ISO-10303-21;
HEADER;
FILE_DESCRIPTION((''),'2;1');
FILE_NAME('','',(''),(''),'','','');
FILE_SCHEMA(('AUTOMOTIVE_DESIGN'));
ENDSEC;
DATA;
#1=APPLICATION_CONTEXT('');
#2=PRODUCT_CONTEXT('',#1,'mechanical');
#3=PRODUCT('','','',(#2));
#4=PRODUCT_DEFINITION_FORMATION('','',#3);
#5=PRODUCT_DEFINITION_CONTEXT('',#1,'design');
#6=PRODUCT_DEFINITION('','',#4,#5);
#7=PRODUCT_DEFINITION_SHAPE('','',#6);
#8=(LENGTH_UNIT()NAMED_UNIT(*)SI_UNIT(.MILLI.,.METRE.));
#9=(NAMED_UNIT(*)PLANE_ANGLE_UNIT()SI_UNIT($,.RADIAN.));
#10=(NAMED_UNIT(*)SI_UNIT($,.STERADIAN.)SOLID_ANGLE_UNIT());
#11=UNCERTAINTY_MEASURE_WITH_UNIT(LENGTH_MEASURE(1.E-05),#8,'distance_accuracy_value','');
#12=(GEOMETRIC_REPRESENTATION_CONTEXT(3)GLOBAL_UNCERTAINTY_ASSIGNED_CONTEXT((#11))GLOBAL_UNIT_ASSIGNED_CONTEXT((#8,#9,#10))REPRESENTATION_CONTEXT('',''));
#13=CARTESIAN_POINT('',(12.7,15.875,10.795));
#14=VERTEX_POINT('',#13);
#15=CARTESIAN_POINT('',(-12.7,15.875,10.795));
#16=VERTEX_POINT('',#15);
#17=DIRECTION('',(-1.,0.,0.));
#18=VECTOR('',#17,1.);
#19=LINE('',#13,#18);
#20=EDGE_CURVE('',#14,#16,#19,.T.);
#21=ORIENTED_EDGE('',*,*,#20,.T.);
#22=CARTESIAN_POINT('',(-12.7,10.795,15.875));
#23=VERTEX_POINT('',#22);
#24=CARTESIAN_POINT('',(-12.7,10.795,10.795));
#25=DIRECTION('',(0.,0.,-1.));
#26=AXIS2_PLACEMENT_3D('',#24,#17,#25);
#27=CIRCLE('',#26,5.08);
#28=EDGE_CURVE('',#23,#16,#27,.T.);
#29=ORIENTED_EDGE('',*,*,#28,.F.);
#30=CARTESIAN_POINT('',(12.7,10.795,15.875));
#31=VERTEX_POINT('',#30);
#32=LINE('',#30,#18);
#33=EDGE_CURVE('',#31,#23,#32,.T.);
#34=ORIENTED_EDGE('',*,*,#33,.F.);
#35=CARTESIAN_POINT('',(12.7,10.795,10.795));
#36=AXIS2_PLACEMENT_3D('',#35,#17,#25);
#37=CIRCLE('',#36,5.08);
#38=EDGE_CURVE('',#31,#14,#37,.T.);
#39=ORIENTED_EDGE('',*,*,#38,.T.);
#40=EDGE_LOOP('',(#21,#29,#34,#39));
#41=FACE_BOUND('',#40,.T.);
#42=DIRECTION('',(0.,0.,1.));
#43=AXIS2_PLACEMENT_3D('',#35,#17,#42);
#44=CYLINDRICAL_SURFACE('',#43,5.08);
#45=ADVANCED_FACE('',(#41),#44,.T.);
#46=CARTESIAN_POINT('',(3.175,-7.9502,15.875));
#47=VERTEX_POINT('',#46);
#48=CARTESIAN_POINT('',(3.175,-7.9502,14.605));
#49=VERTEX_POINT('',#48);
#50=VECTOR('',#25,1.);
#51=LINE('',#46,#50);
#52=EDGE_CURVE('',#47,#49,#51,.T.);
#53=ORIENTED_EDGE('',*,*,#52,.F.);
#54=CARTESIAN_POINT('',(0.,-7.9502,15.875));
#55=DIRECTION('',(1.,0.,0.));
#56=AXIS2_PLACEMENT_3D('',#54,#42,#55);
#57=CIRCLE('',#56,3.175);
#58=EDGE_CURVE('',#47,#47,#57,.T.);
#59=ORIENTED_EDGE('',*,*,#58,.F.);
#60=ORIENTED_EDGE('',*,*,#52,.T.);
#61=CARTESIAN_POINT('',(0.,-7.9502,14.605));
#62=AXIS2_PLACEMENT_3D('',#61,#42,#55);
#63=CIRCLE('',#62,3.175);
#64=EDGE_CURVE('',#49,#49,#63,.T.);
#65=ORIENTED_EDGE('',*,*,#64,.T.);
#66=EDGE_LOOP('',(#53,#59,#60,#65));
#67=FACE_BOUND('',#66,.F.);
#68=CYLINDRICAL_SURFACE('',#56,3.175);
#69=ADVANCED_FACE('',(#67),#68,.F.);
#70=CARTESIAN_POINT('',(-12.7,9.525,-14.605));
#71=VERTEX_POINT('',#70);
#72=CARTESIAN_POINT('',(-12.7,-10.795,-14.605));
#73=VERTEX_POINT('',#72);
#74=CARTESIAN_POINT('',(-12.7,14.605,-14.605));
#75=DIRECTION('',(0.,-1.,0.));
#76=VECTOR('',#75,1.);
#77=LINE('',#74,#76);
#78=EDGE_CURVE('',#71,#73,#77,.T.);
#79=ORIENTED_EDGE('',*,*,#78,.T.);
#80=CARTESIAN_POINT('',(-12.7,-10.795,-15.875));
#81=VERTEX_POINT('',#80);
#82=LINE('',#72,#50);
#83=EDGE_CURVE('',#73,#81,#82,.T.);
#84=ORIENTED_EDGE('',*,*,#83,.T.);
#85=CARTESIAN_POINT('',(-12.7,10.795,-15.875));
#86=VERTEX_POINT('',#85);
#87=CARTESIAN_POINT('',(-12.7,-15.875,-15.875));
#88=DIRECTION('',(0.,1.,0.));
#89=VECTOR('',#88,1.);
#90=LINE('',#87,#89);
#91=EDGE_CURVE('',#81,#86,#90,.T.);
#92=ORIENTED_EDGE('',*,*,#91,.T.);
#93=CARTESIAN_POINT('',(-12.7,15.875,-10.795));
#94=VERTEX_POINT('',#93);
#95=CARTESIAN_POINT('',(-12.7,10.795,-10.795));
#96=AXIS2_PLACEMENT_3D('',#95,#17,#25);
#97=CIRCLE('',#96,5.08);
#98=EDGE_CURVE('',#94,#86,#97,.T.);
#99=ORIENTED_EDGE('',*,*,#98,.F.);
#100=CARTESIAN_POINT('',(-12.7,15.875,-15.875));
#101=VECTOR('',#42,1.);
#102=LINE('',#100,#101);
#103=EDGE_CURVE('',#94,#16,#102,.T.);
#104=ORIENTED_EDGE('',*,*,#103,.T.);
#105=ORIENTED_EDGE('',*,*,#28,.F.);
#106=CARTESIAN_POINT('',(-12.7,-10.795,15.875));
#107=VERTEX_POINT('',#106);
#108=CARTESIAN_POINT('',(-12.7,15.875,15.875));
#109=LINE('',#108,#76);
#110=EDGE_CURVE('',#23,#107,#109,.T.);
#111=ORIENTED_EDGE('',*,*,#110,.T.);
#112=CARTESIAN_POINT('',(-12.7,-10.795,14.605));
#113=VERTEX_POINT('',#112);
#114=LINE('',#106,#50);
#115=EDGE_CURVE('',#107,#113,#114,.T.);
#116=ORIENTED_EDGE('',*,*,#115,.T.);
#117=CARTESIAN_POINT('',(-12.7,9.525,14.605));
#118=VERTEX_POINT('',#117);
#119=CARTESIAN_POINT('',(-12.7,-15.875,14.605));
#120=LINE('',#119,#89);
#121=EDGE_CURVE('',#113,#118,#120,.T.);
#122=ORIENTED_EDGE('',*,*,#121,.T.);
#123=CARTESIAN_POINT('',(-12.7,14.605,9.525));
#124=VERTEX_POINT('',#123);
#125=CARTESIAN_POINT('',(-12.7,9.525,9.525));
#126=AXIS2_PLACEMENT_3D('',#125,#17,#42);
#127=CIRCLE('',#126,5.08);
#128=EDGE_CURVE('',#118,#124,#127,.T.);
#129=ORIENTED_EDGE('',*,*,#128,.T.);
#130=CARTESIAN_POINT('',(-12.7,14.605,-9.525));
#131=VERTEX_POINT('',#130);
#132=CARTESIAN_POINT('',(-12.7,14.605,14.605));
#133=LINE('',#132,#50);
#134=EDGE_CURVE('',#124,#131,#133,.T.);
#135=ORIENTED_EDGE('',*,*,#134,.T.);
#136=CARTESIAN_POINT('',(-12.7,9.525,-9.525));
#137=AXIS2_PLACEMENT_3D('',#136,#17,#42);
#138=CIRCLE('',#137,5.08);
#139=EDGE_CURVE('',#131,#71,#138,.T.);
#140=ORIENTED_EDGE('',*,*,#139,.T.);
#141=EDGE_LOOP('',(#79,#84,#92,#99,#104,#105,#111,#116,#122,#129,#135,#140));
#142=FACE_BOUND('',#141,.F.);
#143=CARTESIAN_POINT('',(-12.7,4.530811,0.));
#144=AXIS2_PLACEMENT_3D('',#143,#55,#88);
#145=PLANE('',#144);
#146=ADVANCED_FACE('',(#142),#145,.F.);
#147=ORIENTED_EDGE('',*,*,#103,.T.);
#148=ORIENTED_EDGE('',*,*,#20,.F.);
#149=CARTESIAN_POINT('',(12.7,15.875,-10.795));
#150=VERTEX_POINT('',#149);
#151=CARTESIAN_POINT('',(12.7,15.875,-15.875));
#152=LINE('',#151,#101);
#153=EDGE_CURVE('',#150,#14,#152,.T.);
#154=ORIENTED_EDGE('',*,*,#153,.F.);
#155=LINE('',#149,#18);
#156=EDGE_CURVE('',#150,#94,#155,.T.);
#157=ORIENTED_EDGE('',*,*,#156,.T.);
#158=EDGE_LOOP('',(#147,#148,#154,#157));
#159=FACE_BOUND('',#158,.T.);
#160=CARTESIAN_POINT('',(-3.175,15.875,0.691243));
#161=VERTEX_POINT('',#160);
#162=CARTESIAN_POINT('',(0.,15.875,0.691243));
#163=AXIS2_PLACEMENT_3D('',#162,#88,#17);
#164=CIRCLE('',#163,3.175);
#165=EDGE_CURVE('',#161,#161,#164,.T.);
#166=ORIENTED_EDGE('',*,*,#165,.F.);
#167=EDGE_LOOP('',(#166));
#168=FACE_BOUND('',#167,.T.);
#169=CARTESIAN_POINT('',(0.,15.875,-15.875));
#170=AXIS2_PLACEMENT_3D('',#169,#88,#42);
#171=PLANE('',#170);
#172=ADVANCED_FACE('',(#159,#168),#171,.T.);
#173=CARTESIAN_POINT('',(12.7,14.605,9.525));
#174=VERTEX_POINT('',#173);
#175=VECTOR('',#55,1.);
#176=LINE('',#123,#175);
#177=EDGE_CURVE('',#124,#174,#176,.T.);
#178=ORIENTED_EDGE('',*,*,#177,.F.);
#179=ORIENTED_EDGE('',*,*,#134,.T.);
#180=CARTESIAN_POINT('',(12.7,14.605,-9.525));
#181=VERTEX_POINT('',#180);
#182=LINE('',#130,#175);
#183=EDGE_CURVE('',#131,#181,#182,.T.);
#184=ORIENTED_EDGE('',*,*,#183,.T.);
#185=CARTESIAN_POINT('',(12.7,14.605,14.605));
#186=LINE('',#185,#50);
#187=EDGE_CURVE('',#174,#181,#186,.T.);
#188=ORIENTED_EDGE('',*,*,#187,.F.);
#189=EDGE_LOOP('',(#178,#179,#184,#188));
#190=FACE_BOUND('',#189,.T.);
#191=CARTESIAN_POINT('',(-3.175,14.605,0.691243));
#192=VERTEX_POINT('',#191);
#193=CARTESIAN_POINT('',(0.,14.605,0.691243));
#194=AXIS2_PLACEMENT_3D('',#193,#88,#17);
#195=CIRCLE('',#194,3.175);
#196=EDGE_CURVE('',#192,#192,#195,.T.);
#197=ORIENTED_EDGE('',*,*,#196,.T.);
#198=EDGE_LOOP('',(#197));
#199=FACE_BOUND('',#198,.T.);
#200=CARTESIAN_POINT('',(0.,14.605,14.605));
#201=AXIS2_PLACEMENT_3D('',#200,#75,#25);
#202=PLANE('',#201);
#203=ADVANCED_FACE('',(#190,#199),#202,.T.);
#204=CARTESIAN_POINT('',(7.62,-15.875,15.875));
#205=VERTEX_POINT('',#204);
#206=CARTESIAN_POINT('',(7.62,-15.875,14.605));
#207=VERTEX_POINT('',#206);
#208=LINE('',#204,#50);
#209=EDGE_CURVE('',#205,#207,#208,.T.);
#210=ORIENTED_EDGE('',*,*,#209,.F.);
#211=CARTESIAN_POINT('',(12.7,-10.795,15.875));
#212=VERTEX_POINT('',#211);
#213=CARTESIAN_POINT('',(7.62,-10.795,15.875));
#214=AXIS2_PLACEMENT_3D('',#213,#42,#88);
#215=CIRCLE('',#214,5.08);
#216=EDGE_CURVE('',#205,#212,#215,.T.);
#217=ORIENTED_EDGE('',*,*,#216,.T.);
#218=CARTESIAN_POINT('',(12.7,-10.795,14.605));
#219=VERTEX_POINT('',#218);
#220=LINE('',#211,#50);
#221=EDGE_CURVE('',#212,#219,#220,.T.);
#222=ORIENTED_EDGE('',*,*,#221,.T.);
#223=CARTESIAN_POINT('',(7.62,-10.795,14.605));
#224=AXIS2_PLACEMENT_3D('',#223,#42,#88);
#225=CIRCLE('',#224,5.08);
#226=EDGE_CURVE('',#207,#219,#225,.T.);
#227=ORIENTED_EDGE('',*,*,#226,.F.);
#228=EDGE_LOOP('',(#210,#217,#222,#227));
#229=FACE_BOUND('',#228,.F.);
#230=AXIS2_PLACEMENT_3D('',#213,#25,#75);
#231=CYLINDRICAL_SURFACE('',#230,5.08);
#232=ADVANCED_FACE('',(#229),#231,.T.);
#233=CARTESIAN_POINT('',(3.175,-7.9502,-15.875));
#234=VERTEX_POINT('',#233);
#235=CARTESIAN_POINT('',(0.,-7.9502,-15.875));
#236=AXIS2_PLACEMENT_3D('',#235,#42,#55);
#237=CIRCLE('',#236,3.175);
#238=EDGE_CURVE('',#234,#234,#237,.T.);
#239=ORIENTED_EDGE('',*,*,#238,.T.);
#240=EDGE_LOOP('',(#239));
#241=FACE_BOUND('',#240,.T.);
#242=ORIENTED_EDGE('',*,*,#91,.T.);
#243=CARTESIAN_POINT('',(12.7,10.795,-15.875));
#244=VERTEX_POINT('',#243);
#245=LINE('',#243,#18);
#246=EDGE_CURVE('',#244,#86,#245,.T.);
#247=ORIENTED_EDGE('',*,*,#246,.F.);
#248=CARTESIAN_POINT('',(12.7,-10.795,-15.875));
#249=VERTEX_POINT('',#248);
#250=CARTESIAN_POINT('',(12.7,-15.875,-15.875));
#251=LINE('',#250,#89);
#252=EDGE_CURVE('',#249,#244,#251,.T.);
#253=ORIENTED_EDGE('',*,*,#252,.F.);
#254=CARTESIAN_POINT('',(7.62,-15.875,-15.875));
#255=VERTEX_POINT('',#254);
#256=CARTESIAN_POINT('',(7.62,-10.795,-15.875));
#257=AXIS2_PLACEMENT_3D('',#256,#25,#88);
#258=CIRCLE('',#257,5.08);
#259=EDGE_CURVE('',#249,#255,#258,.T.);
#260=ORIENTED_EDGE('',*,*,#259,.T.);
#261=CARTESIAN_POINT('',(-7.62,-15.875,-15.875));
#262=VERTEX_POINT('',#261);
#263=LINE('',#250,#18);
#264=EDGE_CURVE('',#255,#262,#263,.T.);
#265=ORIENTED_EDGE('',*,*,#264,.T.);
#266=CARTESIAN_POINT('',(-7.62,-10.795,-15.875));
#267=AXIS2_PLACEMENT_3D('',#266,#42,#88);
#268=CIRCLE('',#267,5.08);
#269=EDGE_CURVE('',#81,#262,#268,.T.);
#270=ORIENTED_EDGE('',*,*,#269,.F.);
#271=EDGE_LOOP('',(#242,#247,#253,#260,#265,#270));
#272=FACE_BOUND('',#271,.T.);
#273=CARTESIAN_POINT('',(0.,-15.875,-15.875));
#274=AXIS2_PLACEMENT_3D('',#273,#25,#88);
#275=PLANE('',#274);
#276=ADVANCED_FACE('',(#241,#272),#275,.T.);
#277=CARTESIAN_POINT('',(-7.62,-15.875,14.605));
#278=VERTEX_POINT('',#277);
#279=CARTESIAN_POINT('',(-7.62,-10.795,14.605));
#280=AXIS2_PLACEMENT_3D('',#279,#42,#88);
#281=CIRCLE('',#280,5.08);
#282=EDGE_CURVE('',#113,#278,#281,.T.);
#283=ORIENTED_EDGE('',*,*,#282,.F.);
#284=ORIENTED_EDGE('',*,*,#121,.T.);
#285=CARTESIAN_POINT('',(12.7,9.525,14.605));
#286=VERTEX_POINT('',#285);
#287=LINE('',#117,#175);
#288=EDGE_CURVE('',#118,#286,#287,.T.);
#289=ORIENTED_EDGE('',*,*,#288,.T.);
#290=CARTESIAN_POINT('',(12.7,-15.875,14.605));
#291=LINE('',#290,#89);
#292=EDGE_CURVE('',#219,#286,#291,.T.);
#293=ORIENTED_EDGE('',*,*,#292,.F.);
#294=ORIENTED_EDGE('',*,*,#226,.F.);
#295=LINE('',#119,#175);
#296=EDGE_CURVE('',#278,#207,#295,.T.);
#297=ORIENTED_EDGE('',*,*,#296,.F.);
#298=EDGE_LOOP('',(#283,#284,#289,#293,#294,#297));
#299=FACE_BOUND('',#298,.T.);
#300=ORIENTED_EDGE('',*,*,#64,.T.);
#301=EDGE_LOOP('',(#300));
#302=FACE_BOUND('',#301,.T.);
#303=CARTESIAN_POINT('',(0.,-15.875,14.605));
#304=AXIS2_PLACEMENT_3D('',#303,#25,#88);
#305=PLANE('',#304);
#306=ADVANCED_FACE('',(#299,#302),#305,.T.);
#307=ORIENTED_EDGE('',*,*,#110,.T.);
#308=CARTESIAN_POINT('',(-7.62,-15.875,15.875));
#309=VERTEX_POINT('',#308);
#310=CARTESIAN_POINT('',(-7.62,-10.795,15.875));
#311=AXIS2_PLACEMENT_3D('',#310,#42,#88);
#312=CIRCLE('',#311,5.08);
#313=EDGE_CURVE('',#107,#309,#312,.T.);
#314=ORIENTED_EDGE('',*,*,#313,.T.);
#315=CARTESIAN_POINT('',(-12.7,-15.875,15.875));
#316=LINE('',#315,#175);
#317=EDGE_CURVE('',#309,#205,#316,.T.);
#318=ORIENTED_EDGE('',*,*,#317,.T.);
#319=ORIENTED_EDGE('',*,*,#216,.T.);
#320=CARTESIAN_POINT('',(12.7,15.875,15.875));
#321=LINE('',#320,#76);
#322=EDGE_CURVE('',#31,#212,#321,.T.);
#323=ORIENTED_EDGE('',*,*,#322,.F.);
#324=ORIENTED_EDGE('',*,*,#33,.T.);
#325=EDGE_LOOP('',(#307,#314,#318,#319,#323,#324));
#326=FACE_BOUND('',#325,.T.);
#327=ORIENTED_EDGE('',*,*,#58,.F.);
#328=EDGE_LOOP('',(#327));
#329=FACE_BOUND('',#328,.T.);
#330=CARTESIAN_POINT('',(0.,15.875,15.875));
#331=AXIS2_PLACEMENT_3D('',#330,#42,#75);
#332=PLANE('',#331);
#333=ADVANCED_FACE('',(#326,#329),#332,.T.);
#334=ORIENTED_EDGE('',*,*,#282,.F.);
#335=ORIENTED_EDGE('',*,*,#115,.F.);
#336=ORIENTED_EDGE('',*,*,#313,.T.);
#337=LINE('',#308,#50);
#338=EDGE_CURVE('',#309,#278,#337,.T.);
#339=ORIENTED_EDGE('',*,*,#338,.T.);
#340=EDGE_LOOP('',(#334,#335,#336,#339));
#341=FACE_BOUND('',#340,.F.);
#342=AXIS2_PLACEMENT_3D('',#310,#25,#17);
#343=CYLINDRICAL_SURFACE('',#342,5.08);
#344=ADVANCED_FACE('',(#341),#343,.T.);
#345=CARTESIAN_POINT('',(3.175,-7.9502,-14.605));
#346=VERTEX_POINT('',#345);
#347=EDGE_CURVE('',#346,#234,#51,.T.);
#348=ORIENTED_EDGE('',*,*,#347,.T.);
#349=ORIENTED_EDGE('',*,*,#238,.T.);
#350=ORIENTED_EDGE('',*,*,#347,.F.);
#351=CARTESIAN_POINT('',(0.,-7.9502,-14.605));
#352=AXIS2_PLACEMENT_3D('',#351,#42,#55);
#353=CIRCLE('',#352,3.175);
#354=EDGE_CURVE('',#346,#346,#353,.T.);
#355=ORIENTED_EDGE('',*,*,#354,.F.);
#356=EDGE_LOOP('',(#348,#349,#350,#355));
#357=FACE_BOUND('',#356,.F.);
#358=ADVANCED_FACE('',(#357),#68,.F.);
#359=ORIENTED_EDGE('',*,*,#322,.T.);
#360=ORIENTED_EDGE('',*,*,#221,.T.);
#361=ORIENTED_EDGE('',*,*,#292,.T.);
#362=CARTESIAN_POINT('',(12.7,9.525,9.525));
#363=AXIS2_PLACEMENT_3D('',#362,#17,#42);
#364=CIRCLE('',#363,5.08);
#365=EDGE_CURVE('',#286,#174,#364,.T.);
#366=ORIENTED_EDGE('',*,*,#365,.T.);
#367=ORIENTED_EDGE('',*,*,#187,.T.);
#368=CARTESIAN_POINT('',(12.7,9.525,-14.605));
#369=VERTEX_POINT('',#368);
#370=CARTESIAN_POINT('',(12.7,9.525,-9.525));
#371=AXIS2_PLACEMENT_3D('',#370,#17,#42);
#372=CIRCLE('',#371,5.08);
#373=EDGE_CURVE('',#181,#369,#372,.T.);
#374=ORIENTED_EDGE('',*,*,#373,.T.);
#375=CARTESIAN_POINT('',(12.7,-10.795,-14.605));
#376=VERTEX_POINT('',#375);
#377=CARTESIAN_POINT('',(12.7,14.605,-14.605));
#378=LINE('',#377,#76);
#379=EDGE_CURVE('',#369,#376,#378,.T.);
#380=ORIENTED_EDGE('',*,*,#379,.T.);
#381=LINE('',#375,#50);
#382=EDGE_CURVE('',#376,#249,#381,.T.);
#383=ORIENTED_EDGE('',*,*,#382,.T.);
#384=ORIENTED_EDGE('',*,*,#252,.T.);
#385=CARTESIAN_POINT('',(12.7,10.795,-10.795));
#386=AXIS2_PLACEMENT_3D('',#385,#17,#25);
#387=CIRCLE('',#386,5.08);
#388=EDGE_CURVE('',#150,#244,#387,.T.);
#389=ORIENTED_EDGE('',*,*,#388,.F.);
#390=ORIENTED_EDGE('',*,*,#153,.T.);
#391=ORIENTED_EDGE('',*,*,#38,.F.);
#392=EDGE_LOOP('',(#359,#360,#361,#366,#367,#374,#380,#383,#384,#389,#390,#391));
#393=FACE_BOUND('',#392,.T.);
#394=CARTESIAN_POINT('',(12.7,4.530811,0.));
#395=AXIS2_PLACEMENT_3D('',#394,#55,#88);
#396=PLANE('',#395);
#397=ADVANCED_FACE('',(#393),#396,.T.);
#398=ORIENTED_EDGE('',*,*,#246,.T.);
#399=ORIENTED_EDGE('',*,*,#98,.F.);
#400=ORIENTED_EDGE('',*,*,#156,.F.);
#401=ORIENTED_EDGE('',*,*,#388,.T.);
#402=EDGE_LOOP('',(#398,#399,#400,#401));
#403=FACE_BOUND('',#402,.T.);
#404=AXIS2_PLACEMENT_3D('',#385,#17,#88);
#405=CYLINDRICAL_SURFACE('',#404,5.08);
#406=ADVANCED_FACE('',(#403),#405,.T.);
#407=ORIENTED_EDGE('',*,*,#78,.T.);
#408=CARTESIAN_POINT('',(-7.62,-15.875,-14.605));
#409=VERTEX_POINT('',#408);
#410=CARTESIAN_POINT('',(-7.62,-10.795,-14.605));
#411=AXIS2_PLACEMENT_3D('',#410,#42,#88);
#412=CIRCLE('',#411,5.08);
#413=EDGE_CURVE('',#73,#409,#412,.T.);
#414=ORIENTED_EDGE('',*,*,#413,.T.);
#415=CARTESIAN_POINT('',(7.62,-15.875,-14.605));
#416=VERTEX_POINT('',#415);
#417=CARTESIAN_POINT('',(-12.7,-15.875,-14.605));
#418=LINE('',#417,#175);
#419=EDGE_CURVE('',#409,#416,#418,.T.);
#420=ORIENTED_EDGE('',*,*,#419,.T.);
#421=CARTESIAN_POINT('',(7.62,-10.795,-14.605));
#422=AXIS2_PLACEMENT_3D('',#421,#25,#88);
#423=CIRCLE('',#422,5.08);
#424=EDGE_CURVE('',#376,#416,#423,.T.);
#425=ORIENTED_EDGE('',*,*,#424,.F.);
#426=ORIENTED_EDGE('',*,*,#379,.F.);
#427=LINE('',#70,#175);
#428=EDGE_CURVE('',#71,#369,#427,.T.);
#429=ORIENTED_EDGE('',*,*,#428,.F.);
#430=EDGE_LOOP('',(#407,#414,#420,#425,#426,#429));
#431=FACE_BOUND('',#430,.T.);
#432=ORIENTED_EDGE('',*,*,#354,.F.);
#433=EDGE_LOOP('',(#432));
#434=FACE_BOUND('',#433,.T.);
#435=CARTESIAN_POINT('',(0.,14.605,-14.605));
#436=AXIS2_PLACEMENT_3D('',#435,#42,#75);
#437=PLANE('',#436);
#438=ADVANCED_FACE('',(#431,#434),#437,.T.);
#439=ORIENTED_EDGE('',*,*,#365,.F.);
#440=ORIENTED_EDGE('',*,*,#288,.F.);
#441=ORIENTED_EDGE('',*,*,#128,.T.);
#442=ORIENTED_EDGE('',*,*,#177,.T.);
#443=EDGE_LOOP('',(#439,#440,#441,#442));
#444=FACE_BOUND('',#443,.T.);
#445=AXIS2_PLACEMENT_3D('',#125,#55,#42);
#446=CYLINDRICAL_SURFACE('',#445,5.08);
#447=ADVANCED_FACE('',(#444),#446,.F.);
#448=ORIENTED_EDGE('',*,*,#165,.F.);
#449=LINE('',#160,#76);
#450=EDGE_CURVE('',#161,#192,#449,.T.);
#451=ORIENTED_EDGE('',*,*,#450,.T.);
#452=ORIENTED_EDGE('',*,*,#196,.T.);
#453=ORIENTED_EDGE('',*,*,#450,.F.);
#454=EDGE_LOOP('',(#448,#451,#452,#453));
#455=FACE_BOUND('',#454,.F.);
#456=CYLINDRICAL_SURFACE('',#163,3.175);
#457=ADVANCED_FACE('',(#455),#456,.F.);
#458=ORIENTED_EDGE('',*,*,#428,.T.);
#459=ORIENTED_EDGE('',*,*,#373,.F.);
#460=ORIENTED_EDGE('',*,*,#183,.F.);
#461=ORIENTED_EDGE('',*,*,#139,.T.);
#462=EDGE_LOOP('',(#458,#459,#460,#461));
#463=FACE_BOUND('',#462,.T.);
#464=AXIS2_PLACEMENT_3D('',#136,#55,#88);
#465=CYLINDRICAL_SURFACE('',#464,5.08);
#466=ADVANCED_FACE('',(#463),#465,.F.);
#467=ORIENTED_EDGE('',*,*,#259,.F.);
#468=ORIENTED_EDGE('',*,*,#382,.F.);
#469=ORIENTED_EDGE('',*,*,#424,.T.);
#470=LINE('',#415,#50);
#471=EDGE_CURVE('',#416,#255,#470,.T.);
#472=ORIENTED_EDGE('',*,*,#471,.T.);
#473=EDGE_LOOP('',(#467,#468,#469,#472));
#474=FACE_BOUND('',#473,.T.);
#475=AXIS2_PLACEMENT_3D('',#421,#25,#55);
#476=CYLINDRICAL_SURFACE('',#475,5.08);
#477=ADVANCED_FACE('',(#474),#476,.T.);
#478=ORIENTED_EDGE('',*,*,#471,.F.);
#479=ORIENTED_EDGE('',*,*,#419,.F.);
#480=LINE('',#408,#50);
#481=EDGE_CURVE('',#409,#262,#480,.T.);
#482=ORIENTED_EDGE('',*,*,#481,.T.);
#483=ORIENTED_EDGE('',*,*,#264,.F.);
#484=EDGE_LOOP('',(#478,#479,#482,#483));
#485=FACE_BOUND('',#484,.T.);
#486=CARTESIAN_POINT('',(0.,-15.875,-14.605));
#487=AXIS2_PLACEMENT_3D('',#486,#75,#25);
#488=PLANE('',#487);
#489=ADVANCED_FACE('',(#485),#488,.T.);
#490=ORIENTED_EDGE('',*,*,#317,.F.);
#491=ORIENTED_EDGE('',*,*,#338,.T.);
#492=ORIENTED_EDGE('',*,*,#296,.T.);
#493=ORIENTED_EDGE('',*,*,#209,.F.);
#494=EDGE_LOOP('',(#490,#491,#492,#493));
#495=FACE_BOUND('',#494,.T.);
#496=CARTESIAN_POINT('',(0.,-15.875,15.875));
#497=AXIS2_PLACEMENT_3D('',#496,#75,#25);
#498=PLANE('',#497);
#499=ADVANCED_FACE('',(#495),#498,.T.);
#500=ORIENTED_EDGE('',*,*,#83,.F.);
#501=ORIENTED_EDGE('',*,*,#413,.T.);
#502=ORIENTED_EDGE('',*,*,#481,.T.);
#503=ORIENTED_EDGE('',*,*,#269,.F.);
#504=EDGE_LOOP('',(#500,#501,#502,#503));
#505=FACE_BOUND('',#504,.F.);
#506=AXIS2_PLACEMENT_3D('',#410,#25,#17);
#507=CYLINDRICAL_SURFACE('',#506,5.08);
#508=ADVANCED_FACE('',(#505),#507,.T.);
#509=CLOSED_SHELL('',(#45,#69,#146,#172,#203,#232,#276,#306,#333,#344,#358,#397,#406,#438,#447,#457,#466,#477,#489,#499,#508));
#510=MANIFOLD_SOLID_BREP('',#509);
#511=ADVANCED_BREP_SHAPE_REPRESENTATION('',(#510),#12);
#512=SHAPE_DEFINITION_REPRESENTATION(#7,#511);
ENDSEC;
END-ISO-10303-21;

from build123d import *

# Parameters (mm, degrees)
F1_DEPTH      = 12.7
F1_DEPTH_BACK = 12.7
F2_R          = 3.175
F3_DEPTH      = 31.751
F4_R          = 5.08
F5_R          = 5.08
F6_R          = 3.175
F7_DEPTH      = 31.751


with BuildPart() as f1:
    # F0 (on Right) → F1 (new body, two sides)
    with BuildSketch(Plane.YZ) as f1_sk:
        Polygon((15.875, 15.875), (-15.875, 15.875), (-15.875, 14.605), (-14.605, 14.605), (14.605, 14.605), (14.605, -14.605), (-14.605, -14.605), (-15.875, -14.605), (-15.875, -15.875), (15.875, -15.875), align=None)
    extrude(amount=F1_DEPTH)
    extrude(f1_sk.sketch, amount=-F1_DEPTH_BACK)

    # F2 (on face) → F3 (cut, through all)
    with BuildSketch(Plane.XY.offset(15.875)):
        with Locations((0, -7.9502)):
            Circle(F2_R)
    extrude(amount=-F3_DEPTH, mode=Mode.SUBTRACT)

    # F4
    f4_edges = [f1.edges().sort_by_distance(p)[0] for p in [
        (0, 15.875, 15.875),
        (0, 15.875, -15.875),
        (0, 14.605, 14.605),
        (0, 14.605, -14.605),
    ]]
    fillet(f4_edges, radius=F4_R)

    # F5
    f5_edges = [f1.edges().sort_by_distance(p)[0] for p in [
        (12.7, -15.875, 15.24),
        (-12.7, -15.875, 15.24),
        (12.7, -15.875, -15.24),
        (-12.7, -15.875, -15.24),
    ]]
    fillet(f5_edges, radius=F5_R)

    # F6 (on face) → F7 (cut, through all)
    with BuildSketch(Plane(origin=(0, 15.875, 0), x_dir=(-1, 0, 0), z_dir=(0, 1, 0))):
        with Locations((0, 0.691243)):
            Circle(F6_R)
    extrude(amount=-F7_DEPTH, mode=Mode.SUBTRACT)


solid = f1.part
